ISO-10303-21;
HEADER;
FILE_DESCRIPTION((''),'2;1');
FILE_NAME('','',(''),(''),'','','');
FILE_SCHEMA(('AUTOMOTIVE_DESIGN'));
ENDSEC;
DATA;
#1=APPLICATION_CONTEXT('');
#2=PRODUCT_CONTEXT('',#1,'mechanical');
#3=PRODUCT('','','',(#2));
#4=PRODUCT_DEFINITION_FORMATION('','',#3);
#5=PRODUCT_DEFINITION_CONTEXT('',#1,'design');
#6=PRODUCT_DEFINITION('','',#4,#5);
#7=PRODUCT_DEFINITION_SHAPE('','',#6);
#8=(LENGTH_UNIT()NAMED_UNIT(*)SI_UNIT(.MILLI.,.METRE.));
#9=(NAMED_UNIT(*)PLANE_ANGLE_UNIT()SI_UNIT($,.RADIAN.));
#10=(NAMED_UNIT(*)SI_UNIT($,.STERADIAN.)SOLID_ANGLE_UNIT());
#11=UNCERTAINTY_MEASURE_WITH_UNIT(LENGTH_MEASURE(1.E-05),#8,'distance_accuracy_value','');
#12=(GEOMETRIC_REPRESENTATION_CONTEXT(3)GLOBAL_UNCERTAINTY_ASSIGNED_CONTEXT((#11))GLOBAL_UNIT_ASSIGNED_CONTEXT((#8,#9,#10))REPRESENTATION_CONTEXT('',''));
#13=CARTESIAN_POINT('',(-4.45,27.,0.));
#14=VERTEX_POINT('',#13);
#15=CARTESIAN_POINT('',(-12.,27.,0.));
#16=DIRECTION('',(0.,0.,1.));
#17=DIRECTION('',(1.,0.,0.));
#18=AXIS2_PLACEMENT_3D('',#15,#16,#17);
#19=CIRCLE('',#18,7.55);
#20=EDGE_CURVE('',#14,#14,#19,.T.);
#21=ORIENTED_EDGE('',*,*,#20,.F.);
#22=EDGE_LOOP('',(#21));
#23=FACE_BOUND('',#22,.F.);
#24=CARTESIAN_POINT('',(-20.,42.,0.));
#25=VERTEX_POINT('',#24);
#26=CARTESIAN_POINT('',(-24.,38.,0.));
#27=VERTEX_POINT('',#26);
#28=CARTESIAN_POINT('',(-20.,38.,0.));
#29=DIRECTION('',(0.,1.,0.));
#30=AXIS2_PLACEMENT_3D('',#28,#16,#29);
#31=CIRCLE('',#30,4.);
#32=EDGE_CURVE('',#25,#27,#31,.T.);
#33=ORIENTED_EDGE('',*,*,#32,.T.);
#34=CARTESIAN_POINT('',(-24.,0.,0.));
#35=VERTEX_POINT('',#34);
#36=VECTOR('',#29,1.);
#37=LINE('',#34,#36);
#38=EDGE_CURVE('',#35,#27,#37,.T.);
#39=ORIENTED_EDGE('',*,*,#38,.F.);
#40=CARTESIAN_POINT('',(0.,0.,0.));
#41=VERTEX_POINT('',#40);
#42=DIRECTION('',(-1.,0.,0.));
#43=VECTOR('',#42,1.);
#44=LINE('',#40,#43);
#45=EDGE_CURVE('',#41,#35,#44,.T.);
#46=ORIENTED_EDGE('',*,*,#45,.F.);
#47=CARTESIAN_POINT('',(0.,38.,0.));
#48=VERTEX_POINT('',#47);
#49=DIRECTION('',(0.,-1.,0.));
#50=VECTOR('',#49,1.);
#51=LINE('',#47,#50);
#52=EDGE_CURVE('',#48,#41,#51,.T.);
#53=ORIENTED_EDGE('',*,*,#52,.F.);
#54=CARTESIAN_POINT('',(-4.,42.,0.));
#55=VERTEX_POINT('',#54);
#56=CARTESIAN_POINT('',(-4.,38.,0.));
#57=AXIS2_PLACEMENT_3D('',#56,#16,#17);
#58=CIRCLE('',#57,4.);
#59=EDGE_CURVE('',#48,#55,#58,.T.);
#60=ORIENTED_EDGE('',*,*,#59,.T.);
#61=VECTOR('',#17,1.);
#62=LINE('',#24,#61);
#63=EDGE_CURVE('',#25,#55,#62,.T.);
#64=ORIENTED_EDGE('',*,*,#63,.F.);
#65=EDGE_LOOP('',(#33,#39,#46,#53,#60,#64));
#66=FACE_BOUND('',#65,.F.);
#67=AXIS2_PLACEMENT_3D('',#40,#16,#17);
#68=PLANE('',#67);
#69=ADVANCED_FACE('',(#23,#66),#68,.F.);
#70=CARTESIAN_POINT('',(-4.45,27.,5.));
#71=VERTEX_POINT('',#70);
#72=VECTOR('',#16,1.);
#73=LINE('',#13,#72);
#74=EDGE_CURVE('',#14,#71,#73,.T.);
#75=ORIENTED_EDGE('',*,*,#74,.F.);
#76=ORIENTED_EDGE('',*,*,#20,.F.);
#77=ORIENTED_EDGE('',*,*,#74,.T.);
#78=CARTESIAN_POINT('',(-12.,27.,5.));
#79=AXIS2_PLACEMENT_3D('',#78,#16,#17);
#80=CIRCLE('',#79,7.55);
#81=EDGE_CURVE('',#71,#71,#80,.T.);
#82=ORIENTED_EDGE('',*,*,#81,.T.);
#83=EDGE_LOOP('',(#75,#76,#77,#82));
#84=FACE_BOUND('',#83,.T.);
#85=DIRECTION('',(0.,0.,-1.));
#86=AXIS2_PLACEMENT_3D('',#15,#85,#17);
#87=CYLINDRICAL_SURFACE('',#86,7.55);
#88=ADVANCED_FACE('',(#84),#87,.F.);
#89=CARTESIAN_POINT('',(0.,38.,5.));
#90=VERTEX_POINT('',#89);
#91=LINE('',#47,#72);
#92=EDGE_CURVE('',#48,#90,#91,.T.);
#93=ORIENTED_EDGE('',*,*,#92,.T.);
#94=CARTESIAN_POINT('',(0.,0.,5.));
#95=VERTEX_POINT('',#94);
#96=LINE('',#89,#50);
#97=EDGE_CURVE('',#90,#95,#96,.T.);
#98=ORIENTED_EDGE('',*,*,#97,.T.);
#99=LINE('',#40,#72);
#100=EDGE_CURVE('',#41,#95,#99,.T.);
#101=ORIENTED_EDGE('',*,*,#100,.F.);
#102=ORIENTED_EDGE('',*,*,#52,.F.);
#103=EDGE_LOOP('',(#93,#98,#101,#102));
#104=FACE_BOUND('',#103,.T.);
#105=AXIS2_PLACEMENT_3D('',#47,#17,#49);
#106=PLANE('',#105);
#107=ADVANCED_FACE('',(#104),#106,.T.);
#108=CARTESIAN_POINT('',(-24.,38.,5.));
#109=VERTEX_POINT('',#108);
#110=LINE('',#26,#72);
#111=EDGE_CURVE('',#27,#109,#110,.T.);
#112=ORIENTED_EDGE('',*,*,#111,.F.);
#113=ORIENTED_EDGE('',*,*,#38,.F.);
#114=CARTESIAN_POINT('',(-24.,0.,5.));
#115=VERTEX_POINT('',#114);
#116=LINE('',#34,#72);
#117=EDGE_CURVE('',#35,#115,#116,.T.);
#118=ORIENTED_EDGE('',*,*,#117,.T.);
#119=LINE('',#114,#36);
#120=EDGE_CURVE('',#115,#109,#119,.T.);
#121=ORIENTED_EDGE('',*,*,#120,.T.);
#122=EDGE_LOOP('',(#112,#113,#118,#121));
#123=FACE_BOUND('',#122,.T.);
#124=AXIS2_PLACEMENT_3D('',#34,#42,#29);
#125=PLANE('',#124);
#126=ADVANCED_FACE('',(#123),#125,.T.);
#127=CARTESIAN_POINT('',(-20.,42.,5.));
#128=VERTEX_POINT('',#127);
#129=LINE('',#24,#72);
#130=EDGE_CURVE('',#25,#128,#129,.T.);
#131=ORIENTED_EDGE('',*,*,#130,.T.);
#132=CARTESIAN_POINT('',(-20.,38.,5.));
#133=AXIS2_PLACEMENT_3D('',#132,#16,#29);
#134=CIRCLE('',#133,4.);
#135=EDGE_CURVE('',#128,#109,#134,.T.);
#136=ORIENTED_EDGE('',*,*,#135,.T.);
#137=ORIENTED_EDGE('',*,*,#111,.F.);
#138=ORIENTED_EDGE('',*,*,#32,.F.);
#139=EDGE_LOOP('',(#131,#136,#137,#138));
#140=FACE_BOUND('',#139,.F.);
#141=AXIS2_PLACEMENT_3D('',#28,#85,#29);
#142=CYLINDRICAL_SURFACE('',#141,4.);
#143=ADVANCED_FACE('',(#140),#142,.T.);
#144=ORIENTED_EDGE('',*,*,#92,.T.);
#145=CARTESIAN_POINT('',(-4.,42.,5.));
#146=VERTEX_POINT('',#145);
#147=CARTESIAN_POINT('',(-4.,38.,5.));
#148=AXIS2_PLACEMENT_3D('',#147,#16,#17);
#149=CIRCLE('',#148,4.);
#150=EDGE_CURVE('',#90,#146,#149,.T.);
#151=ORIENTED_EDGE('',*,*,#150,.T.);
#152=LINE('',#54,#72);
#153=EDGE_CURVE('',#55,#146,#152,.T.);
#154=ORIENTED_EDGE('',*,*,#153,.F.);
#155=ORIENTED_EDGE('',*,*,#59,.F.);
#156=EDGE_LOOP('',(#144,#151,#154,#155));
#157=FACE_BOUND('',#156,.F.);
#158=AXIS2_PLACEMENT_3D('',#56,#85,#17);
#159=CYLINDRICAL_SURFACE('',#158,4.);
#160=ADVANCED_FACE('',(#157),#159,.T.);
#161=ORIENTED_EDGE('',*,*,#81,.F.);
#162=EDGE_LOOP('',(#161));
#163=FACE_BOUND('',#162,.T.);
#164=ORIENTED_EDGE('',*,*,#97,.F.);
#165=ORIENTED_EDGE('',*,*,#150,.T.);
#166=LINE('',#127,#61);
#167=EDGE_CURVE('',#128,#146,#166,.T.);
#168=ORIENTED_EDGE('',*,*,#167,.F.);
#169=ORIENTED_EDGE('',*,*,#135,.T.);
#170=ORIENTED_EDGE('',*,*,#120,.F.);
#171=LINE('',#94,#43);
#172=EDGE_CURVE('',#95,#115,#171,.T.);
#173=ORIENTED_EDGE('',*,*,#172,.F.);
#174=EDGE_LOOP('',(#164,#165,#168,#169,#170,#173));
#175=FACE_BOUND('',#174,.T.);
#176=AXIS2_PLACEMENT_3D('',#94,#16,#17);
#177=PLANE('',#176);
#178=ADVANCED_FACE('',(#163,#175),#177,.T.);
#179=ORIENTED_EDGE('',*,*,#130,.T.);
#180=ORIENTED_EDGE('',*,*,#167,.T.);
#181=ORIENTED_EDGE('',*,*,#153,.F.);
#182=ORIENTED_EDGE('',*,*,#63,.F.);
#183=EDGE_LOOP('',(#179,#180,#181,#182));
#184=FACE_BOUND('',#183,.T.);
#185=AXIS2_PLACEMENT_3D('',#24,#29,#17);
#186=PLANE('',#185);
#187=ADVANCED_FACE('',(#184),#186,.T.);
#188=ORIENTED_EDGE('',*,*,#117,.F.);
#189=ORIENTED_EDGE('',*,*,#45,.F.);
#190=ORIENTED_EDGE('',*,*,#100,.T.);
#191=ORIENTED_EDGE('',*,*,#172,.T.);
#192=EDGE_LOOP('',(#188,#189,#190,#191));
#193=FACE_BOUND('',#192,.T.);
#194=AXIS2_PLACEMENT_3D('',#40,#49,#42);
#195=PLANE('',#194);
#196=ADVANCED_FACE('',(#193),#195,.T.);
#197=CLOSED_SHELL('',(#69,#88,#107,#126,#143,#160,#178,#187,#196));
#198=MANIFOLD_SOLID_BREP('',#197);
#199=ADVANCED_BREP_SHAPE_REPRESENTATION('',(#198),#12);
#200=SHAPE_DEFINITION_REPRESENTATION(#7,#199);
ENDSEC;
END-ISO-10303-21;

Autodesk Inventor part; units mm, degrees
ref_plane "YZ Plane" through (0, 0, 0) normal (1, 0, 0) x (0, 1, 0)
ref_plane "XZ Plane" through (0, 0, 0) normal (0, 1, 0) x (-1, 0, 0)
ref_plane "XY Plane" through (0, 0, 0) normal (0, 0, 1) x (1, 0, 0)
sketch "스케치1" plane through (0, 0, 0) normal (0, 0, 1) x (1, 0, 0)
  line L0 (0, 0) -> (-24, 0)
  line L1 (-24, 0) -> (-24, 38)
  line L2 (-20, 42) -> (-4, 42)
  line L3 (0, 38) -> (0, 0)
  arc A0 (0, 38) -> (-4, 42) centre (-4, 38) ccw
  arc A1 (-20, 42) -> (-24, 38) centre (-20, 38) ccw
  circle A2 centre (-12, 27) radius 7.55
  point P0 (-24, 42)
  point P1 (0, 42)
  dimension "d0" = 24
  dimension "d1" = 42
  dimension "d2" = 4
  dimension "d4" = 15.1
extrude "돌출1" add sketch "스케치1" along normal blind 5
properties part number "베어링받침대" material "알루미늄 6061"
